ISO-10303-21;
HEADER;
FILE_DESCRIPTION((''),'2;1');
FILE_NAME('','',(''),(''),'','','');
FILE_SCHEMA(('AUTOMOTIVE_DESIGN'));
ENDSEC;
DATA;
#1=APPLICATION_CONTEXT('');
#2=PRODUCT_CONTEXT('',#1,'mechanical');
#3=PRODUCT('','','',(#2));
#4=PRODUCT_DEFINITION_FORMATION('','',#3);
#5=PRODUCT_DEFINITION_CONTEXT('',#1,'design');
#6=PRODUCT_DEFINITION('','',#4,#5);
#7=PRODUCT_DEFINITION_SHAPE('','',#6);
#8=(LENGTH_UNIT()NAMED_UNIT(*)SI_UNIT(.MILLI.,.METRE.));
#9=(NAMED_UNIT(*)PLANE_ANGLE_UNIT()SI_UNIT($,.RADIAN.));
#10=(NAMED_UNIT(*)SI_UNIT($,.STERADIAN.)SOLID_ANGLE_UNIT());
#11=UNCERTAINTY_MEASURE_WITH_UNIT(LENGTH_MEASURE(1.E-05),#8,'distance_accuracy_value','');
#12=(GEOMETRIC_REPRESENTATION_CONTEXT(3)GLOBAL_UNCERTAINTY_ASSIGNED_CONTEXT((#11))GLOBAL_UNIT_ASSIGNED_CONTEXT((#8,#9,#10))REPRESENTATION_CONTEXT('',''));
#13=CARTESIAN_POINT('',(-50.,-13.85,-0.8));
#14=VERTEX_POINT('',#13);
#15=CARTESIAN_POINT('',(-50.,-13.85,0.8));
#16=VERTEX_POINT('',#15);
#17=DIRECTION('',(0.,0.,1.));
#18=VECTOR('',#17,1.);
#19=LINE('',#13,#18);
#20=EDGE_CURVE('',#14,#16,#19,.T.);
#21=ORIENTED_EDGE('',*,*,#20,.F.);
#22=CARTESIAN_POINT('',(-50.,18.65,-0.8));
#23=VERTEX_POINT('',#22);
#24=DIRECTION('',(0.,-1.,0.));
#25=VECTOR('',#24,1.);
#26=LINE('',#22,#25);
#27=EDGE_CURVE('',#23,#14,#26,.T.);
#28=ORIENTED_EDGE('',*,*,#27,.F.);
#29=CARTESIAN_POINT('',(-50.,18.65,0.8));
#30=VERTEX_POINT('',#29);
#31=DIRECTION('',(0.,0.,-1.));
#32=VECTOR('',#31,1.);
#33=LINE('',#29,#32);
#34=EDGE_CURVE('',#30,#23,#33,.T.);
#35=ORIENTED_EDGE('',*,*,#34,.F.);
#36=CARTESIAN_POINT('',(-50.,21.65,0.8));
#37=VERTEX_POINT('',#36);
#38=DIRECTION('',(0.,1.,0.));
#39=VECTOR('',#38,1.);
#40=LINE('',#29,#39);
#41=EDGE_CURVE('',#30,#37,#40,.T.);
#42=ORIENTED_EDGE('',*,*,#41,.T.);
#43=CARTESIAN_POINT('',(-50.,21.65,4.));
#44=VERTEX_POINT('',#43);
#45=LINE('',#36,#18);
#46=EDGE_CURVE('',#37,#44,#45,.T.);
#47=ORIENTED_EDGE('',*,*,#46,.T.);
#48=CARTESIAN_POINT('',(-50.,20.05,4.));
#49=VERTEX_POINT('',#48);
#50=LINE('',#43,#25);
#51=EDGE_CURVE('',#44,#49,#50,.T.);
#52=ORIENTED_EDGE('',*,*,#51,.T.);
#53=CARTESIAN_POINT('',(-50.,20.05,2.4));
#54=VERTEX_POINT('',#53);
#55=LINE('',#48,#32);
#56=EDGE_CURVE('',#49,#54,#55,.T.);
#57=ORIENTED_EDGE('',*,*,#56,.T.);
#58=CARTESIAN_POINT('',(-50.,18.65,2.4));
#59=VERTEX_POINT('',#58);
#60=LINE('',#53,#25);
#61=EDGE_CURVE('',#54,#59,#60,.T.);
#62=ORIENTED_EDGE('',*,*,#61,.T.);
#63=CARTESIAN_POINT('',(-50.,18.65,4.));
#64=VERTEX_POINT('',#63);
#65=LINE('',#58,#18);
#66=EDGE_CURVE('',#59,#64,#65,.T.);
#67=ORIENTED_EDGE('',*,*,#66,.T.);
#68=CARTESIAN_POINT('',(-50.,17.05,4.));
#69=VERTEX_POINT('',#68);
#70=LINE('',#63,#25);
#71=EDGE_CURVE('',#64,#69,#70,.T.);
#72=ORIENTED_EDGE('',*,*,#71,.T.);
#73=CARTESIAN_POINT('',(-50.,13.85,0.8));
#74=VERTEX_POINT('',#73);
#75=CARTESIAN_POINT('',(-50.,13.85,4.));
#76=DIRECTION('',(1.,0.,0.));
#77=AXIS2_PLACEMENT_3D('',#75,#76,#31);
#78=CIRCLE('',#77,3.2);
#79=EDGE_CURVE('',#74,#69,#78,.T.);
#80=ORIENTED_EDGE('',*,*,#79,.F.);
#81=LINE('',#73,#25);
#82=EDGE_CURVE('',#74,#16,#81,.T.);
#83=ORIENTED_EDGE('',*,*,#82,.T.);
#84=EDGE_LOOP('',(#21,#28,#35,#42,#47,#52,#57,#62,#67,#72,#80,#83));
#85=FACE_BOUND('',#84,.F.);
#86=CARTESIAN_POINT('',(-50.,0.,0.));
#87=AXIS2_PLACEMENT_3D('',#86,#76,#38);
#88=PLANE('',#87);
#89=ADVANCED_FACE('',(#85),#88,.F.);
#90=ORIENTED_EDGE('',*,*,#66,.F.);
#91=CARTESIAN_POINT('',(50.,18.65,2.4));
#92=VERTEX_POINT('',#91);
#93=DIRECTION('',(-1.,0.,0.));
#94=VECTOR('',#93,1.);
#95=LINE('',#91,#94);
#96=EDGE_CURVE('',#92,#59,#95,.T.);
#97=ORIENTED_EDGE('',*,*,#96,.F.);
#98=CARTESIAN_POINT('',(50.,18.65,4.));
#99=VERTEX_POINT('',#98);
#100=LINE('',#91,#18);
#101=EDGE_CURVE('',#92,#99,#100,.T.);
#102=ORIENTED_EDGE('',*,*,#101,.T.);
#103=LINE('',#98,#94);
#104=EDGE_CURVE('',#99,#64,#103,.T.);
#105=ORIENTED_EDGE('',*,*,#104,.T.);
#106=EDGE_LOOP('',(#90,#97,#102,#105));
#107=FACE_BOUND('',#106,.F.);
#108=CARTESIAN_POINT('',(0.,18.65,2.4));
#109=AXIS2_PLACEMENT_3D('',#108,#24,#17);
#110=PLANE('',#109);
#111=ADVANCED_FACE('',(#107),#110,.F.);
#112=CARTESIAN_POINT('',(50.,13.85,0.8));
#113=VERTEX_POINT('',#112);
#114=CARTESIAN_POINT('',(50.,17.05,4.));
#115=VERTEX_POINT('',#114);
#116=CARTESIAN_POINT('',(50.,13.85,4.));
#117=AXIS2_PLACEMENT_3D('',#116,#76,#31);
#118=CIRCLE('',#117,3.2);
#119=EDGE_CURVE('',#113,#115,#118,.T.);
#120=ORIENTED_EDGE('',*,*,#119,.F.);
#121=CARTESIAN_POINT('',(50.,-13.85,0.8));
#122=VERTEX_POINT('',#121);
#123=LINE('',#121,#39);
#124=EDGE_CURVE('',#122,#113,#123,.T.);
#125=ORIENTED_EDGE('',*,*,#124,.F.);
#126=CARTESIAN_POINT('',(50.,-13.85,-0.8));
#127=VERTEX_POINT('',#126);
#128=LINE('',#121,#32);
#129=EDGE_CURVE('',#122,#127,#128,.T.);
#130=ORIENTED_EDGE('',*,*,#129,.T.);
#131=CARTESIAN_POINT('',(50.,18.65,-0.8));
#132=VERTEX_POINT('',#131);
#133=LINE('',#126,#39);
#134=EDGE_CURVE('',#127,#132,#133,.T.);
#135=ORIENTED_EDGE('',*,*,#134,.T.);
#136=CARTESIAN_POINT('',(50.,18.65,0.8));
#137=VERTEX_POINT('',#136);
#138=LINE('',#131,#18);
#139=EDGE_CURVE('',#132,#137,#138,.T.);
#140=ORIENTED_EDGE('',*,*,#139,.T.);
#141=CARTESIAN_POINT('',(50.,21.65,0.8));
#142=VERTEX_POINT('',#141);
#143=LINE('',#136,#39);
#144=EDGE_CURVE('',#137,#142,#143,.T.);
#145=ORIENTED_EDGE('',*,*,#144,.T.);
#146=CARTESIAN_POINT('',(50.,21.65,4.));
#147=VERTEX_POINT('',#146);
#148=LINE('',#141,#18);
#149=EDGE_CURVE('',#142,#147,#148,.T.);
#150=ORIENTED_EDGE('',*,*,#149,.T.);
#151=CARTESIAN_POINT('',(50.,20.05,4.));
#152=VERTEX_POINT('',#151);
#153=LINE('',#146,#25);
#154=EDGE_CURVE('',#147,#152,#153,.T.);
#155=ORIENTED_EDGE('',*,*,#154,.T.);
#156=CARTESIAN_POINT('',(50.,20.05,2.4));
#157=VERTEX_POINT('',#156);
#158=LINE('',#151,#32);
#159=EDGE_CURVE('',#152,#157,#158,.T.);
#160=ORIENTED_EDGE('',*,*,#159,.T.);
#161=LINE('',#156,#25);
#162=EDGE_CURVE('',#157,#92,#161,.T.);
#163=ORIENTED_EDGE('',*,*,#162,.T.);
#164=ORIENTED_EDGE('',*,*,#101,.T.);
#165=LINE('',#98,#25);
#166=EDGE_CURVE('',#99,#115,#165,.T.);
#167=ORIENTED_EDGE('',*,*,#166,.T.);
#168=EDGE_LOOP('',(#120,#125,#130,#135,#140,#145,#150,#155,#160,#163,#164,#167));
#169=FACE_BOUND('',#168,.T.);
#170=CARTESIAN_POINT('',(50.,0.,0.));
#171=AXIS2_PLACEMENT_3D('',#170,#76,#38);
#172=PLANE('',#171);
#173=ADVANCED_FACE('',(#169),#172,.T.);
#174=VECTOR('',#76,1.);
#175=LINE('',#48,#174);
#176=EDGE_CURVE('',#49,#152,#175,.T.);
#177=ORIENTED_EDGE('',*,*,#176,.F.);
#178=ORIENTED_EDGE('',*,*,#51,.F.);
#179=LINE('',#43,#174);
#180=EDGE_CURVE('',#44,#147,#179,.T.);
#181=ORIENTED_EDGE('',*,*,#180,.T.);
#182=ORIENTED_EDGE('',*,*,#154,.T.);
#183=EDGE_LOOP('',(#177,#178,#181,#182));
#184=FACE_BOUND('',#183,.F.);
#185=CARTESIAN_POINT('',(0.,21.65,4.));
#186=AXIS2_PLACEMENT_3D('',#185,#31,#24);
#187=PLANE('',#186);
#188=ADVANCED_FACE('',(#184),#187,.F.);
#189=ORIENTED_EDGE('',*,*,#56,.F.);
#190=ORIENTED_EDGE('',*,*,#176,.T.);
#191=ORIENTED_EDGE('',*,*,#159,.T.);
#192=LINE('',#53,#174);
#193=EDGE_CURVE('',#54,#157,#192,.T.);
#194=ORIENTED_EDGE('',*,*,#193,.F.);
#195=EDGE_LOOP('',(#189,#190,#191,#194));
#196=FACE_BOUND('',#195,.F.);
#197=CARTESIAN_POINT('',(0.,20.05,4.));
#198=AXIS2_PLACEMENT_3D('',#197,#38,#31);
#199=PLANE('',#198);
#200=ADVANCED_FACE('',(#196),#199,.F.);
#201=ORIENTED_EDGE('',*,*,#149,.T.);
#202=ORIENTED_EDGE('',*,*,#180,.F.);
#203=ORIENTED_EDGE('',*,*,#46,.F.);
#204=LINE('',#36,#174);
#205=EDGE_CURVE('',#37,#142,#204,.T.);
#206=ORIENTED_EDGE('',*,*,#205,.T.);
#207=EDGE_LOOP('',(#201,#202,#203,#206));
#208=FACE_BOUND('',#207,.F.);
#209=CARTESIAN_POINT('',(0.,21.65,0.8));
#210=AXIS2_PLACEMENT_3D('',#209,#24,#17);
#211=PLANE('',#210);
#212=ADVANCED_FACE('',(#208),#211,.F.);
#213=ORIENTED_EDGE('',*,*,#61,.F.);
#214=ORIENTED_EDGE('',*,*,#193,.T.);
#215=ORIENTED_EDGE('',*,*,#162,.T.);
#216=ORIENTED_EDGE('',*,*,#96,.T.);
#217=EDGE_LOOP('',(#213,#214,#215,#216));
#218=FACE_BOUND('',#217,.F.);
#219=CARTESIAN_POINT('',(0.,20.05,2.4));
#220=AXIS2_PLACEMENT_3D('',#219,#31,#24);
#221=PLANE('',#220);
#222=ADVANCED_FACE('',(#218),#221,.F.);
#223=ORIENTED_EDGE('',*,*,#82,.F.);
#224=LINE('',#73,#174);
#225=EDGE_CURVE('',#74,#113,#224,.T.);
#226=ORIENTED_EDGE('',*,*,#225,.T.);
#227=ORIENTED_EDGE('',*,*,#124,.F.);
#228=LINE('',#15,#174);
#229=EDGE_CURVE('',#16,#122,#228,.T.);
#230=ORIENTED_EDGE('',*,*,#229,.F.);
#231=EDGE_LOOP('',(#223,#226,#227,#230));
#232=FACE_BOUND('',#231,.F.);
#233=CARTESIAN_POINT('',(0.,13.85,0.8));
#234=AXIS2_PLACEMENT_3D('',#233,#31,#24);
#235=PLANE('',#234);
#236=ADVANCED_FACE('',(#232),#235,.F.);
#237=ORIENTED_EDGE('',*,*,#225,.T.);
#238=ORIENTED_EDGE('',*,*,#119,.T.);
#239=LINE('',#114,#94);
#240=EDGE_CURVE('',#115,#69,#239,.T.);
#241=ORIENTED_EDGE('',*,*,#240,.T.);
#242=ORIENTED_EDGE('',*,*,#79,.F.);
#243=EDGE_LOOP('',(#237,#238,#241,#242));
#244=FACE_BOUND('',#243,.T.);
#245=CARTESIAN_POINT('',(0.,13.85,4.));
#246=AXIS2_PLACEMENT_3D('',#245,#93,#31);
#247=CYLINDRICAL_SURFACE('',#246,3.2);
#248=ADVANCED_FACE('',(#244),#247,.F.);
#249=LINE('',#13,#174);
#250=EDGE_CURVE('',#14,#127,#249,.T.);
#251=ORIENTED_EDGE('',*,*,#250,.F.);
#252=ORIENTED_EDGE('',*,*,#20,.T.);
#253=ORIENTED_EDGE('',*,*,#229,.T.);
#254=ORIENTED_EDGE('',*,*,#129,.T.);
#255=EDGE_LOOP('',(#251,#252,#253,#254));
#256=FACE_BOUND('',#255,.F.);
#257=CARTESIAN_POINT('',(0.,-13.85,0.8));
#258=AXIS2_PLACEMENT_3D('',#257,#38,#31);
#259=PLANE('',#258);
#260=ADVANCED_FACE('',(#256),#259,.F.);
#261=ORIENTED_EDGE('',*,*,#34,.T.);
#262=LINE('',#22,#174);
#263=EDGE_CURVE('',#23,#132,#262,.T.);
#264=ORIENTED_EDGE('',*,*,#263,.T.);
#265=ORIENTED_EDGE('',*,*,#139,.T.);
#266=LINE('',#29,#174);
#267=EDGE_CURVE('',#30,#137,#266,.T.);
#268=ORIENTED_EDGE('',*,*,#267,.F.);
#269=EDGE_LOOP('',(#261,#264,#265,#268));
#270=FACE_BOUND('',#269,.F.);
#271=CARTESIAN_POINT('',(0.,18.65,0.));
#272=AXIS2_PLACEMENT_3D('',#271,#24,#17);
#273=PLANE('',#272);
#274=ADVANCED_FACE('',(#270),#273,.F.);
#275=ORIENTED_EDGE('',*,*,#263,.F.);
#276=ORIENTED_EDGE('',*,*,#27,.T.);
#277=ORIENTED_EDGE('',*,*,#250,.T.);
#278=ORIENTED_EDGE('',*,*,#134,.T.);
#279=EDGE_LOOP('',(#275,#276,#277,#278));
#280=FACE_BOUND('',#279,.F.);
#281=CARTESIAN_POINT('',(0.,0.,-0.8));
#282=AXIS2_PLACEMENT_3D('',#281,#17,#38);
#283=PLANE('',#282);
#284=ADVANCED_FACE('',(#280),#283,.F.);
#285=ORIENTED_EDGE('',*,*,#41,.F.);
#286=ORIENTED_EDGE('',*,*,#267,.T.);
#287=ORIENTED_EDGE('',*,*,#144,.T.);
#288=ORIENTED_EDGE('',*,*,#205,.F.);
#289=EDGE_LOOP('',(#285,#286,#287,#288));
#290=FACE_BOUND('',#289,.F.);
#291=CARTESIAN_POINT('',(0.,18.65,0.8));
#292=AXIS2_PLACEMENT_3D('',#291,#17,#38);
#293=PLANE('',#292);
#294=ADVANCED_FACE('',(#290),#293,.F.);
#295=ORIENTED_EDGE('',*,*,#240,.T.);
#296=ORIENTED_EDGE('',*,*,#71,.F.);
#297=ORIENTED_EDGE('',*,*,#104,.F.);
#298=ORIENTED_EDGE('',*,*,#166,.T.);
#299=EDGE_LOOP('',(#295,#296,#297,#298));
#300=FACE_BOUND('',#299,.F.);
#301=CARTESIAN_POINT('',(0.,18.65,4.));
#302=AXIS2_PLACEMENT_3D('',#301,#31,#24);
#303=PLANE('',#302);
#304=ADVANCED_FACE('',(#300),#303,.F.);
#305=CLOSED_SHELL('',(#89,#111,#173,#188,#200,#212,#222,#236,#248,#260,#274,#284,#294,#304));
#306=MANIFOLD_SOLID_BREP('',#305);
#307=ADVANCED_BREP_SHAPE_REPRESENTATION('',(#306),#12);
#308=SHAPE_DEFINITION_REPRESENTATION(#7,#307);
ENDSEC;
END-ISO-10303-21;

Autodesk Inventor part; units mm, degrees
sketch "Sketch2" plane through (0, 0, 0) normal (1, 0, 0) x (0, 1, 0)
  line L0 (13.85, 0.8) -> (-13.85, 0.8)
  line L1 (-13.85, 0.8) -> (-13.85, -0.8)
  line L2 (-13.85, -0.8) -> (18.65, -0.8)
  line L3 (18.65, -0.8) -> (18.65, 0.8)
  line L4 (0, 4.96) -> (0, -1.76) projected
  line L5 (-20.95, 0) -> (28.75, 0) projected
  line L6 (18.65, 0.8) -> (21.65, 0.8)
  line L7 (21.65, 0.8) -> (21.65, 4)
  line L8 (21.65, 4) -> (20.05, 4)
  line L9 (20.05, 4) -> (20.05, 2.4)
  line L10 (20.05, 2.4) -> (18.65, 2.4)
  line L11 (18.65, 2.4) -> (18.65, 4)
  line L12 (18.65, 4) -> (17.05, 4)
  line L13 (17.05, 4) -> (17.05, 4)
  arc A0 (13.85, 0.8) -> (17.05, 4) centre (13.85, 4) ccw
  point P0 (0, 0)
  point P1 (0, 0.8)
  point P2 (18.65, 0)
  dimension "d0" = 32.5
  dimension "d1" = 1.6
  dimension "d2" = 3
  dimension "d3" = 3.2
  dimension "d4" = 1.6
  dimension "d6" = 1.6
  dimension "d7" = 1.6
  dimension "d8" = 1.4
  dimension "d12" = 1.6
  dimension "d13" = 3.2
extrude "Extrusion1" add sketch "Sketch2" along normal mid plane 100
equation "\"d13\" = d3"
properties part number "Hanging_Wall"
